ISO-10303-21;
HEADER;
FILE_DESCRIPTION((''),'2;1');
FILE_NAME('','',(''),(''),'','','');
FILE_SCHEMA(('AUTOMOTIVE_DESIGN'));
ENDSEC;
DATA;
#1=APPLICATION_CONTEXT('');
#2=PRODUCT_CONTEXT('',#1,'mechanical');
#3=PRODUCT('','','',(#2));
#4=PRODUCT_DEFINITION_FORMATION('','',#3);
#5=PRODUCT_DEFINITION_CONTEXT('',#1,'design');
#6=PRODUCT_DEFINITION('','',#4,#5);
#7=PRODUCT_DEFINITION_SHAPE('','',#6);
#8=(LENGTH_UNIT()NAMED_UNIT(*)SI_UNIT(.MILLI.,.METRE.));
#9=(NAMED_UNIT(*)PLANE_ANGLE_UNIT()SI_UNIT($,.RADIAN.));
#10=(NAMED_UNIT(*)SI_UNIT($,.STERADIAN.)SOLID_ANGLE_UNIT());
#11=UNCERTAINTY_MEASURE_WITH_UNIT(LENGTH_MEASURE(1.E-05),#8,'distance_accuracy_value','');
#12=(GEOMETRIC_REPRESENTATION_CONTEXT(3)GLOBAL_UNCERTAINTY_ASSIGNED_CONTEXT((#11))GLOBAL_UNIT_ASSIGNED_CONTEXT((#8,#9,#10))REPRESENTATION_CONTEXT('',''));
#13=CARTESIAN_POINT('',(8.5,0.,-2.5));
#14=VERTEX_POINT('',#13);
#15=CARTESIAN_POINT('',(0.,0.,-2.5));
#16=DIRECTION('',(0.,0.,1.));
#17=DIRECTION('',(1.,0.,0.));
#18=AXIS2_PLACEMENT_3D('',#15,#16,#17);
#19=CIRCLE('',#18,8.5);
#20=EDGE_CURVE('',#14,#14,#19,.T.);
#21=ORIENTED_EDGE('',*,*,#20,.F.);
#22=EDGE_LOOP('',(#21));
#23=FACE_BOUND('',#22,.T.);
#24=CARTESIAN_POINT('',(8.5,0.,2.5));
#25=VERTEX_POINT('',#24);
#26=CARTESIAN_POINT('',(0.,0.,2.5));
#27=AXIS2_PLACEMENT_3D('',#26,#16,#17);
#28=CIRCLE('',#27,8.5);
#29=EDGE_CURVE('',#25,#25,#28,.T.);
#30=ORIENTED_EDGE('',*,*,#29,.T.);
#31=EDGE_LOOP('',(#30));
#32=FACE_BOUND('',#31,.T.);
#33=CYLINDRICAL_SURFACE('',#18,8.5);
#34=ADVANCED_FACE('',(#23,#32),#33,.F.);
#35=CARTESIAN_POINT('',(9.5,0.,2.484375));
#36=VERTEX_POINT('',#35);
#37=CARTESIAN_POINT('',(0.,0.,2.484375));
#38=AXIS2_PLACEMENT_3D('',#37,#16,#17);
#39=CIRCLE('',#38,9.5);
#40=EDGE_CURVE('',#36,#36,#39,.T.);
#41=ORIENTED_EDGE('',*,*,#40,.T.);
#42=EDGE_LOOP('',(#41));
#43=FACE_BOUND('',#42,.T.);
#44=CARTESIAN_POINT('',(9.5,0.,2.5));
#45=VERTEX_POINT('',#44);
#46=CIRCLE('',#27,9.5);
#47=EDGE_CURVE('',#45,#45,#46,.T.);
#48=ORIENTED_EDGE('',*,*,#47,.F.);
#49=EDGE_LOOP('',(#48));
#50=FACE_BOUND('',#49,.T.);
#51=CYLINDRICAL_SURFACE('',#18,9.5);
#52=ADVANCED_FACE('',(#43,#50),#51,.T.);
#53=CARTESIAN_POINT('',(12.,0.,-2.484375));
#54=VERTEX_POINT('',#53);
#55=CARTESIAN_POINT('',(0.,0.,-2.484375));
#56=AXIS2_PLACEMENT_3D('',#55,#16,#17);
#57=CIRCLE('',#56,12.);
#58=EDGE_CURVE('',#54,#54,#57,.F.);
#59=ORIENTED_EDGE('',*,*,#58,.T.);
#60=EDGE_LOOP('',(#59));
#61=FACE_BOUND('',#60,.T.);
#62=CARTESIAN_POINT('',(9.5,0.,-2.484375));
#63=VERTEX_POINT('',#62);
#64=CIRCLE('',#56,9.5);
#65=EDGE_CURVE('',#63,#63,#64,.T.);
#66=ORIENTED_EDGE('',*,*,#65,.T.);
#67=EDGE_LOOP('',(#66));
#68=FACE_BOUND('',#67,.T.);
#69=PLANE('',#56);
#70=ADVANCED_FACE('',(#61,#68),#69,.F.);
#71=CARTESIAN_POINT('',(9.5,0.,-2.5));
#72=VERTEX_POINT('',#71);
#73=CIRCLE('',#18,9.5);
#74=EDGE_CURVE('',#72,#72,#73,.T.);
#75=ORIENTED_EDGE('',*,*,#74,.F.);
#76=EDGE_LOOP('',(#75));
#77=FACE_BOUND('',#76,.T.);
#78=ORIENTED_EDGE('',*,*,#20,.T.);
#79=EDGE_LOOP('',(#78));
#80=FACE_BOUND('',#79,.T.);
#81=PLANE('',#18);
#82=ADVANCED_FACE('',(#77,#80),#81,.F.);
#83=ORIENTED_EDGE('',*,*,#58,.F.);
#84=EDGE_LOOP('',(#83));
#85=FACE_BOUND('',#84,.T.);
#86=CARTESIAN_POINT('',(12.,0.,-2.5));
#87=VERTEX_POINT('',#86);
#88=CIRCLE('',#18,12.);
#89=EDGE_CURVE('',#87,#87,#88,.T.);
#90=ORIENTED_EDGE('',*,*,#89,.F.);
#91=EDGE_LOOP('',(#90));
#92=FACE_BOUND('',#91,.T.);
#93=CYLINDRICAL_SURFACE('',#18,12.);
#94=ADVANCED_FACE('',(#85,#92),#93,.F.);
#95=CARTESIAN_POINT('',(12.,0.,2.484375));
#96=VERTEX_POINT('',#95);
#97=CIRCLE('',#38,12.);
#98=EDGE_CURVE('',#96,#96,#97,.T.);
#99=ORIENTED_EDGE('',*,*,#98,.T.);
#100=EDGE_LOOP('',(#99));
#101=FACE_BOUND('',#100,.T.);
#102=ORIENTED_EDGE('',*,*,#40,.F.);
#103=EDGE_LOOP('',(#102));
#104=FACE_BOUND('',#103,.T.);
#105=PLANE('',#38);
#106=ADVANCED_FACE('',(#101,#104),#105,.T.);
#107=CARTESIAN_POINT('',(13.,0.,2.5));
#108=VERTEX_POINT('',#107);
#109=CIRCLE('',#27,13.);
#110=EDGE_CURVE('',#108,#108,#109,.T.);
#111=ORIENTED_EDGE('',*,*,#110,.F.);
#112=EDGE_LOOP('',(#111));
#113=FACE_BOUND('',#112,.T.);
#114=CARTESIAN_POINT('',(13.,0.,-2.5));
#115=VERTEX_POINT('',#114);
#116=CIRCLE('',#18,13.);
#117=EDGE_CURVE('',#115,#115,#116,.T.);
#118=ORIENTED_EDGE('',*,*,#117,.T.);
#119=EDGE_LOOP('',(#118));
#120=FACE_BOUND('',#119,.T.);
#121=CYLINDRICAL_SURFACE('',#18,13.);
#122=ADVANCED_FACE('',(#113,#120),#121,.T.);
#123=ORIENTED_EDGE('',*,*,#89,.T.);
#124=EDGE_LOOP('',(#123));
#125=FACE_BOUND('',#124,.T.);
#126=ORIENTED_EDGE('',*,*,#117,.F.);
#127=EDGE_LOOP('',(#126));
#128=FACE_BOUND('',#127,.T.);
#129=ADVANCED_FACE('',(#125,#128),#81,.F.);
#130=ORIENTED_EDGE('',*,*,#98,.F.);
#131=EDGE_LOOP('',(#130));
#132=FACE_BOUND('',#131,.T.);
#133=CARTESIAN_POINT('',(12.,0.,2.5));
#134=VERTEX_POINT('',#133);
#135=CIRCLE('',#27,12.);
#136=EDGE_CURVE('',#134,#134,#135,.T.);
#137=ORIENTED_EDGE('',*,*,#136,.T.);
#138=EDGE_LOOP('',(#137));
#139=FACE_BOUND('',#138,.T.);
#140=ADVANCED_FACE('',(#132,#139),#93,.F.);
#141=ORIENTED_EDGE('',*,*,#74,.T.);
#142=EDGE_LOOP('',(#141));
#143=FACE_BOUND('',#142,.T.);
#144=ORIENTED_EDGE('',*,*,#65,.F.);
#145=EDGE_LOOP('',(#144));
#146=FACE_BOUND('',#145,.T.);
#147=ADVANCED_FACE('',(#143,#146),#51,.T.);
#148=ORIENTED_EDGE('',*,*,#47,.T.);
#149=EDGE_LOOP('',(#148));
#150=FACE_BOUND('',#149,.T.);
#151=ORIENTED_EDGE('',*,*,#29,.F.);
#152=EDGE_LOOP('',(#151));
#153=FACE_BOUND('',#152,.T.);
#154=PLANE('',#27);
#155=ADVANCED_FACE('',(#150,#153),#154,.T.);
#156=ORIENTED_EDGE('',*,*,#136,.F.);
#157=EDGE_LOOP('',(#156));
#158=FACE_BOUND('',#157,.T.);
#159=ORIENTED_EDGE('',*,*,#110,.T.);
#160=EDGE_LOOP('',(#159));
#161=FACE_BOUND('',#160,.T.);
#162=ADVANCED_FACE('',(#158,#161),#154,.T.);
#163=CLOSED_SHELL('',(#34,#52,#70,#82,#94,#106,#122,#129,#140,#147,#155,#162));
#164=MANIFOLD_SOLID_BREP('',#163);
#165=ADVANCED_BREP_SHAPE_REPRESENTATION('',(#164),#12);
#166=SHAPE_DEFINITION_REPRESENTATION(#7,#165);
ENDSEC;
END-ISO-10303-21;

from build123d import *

# Parameters (mm, degrees)
BOSS_EXTRUDE1_DEPTH        = 2.5
BOSS_EXTRUDE1_DEPTH_BACK   = 2.5
SKETCH1_R                  = 9.5
SKETCH1_R_2                = 8.5
BOSS_EXTRUDE1_2_DEPTH      = 2.5
BOSS_EXTRUDE1_2_DEPTH_BACK = 2.5
SKETCH1_R_3                = 13
SKETCH1_R_4                = 12
BOSS_EXTRUDE2_DEPTH        = 2.484375
BOSS_EXTRUDE2_DEPTH_BACK   = 2.484375
SKETCH1_3_R                = 12
SKETCH1_3_R_2              = 9.5


with BuildPart() as part:
    # Sketch1 → Boss-Extrude1 (new, two sides: drawn at the far end of the back side and taken through both)
    with BuildSketch(Plane.XY.offset(-BOSS_EXTRUDE1_DEPTH_BACK)):
        Circle(SKETCH1_R)
        Circle(SKETCH1_R_2, mode=Mode.SUBTRACT)
    extrude(amount=BOSS_EXTRUDE1_DEPTH + BOSS_EXTRUDE1_DEPTH_BACK)



with BuildPart() as body_2:
    # Sketch1 → Boss-Extrude1 2 (new, two sides: drawn at the far end of the back side and taken through both)
    with BuildSketch(Plane.XY.offset(-BOSS_EXTRUDE1_2_DEPTH_BACK)):
        Circle(SKETCH1_R_3)
        Circle(SKETCH1_R_4, mode=Mode.SUBTRACT)
    extrude(amount=BOSS_EXTRUDE1_2_DEPTH + BOSS_EXTRUDE1_2_DEPTH_BACK)


with BuildPart() as part_1:
    add(part.part)

    add(body_2.part)  # Boss-Extrude2 merges body 2
    # Sketch1<3> → Boss-Extrude2 (add, two sides: drawn at the far end of the back side and taken through both)
    with BuildSketch(Plane.XY.offset(-BOSS_EXTRUDE2_DEPTH_BACK)):
        Circle(SKETCH1_3_R)
        Circle(SKETCH1_3_R_2, mode=Mode.SUBTRACT)
    extrude(amount=BOSS_EXTRUDE2_DEPTH + BOSS_EXTRUDE2_DEPTH_BACK)


solid = part_1.part
